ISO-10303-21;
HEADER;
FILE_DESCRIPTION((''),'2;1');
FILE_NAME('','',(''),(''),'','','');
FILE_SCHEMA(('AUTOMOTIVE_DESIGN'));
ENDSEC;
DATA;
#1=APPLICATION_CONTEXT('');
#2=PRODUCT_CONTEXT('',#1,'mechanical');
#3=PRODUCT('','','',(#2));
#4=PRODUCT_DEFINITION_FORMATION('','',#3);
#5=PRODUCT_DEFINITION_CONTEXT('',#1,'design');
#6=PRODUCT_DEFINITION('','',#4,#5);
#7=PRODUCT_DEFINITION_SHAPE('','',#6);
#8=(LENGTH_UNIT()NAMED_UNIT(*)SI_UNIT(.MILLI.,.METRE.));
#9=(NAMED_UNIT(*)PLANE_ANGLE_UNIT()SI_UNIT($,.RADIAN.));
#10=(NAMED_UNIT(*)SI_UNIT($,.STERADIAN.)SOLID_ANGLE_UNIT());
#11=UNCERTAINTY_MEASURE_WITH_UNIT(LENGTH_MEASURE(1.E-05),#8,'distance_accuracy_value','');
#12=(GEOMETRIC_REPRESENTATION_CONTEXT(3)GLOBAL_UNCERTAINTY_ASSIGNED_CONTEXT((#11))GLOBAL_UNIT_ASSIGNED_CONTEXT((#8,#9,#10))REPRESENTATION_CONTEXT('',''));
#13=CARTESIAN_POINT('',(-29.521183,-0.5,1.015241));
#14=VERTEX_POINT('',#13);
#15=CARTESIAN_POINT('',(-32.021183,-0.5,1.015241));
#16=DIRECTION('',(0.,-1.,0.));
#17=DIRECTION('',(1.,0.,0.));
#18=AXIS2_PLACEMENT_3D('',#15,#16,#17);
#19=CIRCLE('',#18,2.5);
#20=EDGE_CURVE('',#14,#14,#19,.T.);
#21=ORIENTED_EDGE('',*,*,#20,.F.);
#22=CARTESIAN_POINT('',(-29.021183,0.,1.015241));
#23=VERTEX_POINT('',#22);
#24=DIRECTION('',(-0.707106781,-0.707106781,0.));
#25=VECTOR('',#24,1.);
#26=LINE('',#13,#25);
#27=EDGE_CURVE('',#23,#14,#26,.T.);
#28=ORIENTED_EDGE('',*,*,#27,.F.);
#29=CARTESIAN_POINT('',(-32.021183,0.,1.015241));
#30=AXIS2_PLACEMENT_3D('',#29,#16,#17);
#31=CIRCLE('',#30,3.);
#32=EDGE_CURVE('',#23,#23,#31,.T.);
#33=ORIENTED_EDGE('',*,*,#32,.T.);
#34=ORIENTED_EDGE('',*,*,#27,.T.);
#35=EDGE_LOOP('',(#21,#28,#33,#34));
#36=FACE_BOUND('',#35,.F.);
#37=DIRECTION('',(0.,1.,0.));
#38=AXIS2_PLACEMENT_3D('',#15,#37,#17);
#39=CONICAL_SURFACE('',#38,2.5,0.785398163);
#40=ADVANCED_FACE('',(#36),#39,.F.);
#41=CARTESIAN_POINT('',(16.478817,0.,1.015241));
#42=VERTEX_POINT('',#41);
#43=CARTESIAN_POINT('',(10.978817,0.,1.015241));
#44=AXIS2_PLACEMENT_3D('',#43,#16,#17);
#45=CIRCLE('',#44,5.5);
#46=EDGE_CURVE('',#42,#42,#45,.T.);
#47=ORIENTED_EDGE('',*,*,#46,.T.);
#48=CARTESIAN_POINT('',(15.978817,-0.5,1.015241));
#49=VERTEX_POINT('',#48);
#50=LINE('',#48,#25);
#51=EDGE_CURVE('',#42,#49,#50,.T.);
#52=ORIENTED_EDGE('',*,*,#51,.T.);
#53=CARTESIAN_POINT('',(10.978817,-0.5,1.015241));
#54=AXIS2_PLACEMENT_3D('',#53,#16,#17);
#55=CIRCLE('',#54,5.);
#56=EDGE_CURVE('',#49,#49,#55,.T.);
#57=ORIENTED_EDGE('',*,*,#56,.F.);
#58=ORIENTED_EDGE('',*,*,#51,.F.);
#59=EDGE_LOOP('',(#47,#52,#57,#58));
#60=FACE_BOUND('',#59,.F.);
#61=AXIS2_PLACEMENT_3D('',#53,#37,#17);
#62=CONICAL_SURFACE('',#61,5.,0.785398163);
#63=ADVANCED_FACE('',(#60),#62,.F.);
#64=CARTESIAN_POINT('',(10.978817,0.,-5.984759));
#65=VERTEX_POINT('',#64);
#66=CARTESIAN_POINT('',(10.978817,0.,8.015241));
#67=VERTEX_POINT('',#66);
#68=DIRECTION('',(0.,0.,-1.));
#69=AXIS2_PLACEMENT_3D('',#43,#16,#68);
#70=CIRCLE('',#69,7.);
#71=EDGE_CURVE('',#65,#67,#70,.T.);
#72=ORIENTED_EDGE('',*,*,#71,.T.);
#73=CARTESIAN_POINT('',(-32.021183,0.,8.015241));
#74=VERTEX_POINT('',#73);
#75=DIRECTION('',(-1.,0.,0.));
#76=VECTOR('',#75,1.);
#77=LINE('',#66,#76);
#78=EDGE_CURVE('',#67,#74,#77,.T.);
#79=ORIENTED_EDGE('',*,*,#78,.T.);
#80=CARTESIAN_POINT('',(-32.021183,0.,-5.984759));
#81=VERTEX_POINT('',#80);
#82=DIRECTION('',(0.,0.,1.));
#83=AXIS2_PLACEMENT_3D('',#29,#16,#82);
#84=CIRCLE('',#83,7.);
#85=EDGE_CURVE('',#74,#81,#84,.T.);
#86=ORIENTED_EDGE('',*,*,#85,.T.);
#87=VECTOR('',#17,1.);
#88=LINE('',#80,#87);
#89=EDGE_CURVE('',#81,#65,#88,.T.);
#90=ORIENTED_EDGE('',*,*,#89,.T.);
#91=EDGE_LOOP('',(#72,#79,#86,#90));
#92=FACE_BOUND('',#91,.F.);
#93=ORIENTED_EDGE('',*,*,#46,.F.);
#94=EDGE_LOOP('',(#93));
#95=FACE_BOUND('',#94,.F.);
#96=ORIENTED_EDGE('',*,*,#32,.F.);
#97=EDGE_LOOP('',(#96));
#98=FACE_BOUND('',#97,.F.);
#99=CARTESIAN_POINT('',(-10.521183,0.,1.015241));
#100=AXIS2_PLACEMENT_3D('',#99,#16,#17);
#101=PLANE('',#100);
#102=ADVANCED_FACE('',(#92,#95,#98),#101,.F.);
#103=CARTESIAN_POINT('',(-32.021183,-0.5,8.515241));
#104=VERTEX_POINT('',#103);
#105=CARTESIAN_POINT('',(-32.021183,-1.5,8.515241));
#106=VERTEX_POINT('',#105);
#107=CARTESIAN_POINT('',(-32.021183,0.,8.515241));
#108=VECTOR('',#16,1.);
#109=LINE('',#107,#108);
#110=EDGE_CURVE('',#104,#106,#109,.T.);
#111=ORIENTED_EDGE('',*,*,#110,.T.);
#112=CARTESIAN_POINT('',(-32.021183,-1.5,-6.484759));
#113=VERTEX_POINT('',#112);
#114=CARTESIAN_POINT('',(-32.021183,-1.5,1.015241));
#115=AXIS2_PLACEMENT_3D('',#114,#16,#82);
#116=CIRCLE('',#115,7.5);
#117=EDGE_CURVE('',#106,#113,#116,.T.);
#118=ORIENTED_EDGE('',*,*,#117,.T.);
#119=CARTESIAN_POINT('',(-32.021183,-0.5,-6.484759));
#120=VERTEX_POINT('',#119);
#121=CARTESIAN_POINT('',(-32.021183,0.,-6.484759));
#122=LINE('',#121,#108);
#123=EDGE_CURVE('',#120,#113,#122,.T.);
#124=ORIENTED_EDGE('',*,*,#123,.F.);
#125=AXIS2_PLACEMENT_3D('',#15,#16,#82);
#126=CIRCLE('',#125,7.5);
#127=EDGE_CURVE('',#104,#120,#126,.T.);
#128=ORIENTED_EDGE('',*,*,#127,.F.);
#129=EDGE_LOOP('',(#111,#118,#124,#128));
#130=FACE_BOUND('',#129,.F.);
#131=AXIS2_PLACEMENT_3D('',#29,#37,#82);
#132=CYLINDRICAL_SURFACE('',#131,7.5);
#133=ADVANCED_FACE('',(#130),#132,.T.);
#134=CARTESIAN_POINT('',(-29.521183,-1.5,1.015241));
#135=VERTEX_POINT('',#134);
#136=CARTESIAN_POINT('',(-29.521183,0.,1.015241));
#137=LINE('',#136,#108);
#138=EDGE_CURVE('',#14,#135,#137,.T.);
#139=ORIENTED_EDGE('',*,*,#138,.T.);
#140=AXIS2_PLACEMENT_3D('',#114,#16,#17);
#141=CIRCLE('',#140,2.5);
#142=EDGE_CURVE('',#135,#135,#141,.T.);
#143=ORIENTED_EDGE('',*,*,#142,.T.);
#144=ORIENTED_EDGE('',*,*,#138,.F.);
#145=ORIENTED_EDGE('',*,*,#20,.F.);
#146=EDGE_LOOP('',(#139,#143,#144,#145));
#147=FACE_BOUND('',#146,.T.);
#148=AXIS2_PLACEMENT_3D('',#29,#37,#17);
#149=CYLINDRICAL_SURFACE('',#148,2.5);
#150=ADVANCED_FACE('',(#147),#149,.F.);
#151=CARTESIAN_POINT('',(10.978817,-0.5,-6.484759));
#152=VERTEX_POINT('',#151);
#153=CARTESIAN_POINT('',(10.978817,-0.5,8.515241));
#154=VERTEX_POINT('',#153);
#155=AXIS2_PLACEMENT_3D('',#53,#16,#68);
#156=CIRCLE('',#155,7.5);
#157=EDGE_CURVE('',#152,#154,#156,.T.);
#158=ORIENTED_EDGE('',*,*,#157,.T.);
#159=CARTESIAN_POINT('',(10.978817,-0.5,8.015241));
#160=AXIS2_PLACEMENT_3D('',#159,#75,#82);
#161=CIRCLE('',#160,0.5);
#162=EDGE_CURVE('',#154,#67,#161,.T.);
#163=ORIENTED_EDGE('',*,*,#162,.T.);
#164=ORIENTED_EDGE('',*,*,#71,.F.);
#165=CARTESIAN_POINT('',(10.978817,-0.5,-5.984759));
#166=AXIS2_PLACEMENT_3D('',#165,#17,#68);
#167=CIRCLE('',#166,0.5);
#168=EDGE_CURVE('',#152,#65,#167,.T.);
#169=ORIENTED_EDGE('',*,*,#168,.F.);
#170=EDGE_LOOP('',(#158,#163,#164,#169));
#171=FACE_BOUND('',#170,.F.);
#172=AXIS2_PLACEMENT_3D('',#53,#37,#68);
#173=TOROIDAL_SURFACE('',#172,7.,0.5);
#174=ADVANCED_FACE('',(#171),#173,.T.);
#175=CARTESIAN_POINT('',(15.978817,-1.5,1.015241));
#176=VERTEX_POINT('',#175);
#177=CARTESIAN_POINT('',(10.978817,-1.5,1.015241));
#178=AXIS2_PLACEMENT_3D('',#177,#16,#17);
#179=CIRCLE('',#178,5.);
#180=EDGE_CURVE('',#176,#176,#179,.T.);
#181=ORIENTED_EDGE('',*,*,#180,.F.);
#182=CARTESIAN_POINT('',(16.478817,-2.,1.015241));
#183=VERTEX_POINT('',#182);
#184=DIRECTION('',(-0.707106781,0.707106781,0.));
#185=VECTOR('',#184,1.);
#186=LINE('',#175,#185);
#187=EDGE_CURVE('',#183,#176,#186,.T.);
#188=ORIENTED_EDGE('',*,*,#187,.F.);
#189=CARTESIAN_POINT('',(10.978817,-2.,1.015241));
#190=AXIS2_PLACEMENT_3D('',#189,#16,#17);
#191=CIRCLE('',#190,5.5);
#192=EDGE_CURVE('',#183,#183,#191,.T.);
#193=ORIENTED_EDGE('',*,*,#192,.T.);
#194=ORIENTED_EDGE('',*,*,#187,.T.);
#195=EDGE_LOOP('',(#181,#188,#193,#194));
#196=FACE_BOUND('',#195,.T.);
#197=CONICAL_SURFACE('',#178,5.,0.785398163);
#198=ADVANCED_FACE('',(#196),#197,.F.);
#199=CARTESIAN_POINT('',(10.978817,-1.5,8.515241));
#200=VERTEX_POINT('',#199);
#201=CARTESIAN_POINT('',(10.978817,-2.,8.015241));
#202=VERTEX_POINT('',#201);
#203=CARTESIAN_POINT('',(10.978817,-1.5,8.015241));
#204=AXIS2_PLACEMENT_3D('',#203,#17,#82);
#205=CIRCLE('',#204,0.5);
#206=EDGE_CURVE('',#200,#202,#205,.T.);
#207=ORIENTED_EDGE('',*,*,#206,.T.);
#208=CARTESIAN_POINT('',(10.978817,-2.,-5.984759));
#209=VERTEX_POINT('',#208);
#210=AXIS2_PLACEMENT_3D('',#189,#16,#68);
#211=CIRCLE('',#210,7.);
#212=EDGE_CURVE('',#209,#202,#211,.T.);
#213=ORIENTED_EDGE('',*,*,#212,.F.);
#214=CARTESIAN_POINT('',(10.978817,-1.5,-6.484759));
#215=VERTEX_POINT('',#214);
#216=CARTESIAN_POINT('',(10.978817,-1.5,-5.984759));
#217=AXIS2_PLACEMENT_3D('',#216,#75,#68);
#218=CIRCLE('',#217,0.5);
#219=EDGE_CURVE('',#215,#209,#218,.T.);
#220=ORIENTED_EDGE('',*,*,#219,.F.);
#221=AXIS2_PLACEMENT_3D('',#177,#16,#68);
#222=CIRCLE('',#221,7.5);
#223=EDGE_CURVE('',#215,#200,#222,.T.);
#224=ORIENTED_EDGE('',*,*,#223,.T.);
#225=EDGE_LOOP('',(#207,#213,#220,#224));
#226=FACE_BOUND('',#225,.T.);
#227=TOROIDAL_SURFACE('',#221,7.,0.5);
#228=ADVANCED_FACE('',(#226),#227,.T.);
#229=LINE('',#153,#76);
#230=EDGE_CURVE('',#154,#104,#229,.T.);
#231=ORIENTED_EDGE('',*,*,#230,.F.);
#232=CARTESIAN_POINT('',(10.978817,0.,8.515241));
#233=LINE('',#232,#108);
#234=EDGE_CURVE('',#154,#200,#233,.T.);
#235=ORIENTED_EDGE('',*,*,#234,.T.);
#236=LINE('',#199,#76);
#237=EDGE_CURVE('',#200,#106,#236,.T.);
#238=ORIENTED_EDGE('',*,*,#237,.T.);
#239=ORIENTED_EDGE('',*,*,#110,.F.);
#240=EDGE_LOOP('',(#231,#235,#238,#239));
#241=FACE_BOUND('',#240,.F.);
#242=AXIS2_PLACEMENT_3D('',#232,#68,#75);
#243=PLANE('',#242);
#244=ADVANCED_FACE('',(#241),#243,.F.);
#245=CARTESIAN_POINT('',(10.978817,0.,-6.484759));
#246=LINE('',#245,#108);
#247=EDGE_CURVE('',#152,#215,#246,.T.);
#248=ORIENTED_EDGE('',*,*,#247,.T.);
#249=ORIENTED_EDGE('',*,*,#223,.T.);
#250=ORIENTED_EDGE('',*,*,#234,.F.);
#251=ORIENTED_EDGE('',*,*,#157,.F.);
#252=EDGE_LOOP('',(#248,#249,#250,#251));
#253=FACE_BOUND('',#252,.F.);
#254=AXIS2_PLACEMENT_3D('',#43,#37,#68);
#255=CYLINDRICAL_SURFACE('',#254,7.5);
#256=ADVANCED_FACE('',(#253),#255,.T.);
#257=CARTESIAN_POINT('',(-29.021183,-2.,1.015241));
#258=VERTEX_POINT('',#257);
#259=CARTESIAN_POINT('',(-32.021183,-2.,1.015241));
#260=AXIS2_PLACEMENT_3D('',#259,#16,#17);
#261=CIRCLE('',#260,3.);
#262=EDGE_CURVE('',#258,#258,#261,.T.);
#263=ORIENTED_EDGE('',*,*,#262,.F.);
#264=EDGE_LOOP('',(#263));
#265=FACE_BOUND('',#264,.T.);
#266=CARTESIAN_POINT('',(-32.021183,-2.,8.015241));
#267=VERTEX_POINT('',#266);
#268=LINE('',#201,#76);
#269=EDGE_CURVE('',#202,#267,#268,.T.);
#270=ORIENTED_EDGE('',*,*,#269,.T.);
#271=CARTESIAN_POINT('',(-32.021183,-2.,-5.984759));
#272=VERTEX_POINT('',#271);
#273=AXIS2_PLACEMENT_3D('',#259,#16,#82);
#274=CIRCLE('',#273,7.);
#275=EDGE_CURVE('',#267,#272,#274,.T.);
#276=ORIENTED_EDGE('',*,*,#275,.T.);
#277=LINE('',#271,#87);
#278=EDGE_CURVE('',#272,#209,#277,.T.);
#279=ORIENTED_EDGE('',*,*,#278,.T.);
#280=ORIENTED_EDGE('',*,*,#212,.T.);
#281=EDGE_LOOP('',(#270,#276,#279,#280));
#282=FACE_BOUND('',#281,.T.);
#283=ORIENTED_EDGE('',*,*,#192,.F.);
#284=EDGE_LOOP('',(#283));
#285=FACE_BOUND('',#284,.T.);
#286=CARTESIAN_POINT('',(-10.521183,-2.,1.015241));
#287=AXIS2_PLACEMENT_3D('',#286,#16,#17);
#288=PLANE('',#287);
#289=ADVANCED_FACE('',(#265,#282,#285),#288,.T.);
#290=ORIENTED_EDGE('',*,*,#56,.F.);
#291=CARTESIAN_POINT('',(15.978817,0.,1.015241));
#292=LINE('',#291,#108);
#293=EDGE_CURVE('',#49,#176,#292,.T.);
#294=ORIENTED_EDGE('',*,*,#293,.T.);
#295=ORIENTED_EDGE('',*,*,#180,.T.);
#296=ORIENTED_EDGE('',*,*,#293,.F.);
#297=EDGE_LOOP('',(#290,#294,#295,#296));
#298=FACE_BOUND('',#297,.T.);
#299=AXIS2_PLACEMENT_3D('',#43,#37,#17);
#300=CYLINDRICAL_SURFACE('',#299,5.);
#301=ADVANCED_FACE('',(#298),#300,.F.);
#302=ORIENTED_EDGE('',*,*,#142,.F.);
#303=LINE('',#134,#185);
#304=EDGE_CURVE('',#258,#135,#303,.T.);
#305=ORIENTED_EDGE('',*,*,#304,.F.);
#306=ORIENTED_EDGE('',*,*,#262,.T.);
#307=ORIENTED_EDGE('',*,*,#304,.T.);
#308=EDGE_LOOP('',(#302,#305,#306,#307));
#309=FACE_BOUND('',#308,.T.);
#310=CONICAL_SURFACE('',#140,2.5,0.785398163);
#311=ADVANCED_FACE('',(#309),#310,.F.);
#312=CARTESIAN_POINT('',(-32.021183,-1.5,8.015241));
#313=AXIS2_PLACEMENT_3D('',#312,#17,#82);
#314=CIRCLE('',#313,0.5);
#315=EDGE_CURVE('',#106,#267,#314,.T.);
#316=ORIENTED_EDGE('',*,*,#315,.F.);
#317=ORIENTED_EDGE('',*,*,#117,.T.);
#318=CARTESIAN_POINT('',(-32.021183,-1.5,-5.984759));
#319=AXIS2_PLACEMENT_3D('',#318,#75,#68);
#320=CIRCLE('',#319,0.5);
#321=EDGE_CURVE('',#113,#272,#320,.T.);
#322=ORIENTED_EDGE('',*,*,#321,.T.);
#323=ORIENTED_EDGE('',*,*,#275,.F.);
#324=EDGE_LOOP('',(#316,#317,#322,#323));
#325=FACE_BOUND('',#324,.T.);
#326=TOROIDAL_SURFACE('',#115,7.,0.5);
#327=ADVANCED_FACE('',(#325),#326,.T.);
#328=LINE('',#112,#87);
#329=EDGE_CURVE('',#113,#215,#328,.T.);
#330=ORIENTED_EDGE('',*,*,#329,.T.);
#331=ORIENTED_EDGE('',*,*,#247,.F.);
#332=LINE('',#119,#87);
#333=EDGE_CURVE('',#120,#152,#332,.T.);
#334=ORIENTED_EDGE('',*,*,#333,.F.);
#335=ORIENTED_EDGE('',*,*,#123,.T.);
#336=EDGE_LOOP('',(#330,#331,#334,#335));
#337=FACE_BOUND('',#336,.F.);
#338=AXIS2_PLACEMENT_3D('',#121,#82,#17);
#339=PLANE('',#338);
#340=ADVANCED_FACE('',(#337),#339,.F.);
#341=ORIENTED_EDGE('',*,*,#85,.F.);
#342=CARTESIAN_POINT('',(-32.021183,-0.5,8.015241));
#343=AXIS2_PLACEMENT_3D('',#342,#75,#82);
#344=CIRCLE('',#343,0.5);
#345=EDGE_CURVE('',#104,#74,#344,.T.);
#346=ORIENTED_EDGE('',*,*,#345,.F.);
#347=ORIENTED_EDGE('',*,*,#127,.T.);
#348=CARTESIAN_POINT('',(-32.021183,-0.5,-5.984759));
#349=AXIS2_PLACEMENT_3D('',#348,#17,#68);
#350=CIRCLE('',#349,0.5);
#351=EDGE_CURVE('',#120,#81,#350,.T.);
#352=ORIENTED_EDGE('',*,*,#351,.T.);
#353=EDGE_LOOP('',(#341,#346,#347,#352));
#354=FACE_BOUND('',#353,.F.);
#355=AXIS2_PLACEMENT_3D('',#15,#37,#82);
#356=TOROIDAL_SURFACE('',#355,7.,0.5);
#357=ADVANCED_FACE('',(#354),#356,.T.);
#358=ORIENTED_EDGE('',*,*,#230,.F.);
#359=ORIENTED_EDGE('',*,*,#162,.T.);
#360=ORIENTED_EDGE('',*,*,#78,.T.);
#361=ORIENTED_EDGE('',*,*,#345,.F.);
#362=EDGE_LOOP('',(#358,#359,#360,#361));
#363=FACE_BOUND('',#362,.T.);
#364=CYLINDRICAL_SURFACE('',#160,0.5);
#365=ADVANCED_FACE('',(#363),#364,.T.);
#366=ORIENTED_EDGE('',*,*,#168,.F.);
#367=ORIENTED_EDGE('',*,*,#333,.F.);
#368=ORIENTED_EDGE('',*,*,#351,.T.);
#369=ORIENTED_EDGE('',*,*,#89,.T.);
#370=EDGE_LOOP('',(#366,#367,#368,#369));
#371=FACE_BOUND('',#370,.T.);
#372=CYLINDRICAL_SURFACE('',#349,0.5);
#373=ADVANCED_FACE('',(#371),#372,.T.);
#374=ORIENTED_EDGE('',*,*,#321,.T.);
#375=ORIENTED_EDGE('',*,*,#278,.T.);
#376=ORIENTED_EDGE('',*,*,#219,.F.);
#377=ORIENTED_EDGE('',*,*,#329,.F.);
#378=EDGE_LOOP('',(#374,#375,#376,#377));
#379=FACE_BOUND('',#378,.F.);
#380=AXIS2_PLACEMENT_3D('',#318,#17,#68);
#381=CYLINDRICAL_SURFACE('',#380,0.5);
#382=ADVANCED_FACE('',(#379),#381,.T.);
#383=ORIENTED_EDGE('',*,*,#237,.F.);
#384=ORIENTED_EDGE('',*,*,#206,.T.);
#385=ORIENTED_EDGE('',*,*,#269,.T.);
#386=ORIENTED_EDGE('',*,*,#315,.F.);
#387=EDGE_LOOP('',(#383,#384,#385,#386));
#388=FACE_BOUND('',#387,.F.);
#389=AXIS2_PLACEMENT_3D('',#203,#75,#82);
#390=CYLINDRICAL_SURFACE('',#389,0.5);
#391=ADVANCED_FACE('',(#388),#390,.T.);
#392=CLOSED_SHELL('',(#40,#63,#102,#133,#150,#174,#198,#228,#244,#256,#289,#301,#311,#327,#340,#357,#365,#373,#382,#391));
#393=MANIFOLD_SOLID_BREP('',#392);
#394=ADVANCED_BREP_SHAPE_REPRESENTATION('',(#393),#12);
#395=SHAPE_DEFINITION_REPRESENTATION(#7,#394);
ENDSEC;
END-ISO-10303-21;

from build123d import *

# Parameters (mm, degrees)
F0_R     = 2.5
F0_R_2   = 5
F1_DEPTH = 2
F2_R     = 0.5
F3_SIZE  = 0.5


with BuildPart() as f1:
    # F0 (on Front) → F1 (new body)
    with BuildSketch(Plane.XZ):
        with BuildLine():
            Line((10.978817, 8.515241), (-32.021183, 8.515241))
            ThreePointArc((-32.021183, 8.515241), (-39.521183, 1.015241), (-32.021183, -6.484759))
            Line((-32.021183, -6.484759), (10.978817, -6.484759))
            ThreePointArc((10.978817, -6.484759), (18.478817, 1.015241), (10.978817, 8.515241))
        make_face()
        with Locations((-32.021183, 1.015241)):
            Circle(F0_R, mode=Mode.SUBTRACT)
        with Locations((10.978817, 1.015241)):
            Circle(F0_R_2, mode=Mode.SUBTRACT)
    extrude(amount=F1_DEPTH)

    # F2
    f2_edges = [f1.edges().sort_by_distance(p)[0] for p in [
        (-10.521183, -2, 8.515241),
        (-39.521183, 0, 1.015241),
    ]]
    fillet(f2_edges, radius=F2_R)

    # F3
    f3_edges = [f1.edges().sort_by_distance(p)[0] for p in [
        (-34.521183, -2, 1.015241),
        (5.978817, -2, 1.015241),
        (-34.521183, 0, 1.015241),
        (5.978817, 0, 1.015241),
    ]]
    chamfer(f3_edges, length=F3_SIZE)


solid = f1.part
